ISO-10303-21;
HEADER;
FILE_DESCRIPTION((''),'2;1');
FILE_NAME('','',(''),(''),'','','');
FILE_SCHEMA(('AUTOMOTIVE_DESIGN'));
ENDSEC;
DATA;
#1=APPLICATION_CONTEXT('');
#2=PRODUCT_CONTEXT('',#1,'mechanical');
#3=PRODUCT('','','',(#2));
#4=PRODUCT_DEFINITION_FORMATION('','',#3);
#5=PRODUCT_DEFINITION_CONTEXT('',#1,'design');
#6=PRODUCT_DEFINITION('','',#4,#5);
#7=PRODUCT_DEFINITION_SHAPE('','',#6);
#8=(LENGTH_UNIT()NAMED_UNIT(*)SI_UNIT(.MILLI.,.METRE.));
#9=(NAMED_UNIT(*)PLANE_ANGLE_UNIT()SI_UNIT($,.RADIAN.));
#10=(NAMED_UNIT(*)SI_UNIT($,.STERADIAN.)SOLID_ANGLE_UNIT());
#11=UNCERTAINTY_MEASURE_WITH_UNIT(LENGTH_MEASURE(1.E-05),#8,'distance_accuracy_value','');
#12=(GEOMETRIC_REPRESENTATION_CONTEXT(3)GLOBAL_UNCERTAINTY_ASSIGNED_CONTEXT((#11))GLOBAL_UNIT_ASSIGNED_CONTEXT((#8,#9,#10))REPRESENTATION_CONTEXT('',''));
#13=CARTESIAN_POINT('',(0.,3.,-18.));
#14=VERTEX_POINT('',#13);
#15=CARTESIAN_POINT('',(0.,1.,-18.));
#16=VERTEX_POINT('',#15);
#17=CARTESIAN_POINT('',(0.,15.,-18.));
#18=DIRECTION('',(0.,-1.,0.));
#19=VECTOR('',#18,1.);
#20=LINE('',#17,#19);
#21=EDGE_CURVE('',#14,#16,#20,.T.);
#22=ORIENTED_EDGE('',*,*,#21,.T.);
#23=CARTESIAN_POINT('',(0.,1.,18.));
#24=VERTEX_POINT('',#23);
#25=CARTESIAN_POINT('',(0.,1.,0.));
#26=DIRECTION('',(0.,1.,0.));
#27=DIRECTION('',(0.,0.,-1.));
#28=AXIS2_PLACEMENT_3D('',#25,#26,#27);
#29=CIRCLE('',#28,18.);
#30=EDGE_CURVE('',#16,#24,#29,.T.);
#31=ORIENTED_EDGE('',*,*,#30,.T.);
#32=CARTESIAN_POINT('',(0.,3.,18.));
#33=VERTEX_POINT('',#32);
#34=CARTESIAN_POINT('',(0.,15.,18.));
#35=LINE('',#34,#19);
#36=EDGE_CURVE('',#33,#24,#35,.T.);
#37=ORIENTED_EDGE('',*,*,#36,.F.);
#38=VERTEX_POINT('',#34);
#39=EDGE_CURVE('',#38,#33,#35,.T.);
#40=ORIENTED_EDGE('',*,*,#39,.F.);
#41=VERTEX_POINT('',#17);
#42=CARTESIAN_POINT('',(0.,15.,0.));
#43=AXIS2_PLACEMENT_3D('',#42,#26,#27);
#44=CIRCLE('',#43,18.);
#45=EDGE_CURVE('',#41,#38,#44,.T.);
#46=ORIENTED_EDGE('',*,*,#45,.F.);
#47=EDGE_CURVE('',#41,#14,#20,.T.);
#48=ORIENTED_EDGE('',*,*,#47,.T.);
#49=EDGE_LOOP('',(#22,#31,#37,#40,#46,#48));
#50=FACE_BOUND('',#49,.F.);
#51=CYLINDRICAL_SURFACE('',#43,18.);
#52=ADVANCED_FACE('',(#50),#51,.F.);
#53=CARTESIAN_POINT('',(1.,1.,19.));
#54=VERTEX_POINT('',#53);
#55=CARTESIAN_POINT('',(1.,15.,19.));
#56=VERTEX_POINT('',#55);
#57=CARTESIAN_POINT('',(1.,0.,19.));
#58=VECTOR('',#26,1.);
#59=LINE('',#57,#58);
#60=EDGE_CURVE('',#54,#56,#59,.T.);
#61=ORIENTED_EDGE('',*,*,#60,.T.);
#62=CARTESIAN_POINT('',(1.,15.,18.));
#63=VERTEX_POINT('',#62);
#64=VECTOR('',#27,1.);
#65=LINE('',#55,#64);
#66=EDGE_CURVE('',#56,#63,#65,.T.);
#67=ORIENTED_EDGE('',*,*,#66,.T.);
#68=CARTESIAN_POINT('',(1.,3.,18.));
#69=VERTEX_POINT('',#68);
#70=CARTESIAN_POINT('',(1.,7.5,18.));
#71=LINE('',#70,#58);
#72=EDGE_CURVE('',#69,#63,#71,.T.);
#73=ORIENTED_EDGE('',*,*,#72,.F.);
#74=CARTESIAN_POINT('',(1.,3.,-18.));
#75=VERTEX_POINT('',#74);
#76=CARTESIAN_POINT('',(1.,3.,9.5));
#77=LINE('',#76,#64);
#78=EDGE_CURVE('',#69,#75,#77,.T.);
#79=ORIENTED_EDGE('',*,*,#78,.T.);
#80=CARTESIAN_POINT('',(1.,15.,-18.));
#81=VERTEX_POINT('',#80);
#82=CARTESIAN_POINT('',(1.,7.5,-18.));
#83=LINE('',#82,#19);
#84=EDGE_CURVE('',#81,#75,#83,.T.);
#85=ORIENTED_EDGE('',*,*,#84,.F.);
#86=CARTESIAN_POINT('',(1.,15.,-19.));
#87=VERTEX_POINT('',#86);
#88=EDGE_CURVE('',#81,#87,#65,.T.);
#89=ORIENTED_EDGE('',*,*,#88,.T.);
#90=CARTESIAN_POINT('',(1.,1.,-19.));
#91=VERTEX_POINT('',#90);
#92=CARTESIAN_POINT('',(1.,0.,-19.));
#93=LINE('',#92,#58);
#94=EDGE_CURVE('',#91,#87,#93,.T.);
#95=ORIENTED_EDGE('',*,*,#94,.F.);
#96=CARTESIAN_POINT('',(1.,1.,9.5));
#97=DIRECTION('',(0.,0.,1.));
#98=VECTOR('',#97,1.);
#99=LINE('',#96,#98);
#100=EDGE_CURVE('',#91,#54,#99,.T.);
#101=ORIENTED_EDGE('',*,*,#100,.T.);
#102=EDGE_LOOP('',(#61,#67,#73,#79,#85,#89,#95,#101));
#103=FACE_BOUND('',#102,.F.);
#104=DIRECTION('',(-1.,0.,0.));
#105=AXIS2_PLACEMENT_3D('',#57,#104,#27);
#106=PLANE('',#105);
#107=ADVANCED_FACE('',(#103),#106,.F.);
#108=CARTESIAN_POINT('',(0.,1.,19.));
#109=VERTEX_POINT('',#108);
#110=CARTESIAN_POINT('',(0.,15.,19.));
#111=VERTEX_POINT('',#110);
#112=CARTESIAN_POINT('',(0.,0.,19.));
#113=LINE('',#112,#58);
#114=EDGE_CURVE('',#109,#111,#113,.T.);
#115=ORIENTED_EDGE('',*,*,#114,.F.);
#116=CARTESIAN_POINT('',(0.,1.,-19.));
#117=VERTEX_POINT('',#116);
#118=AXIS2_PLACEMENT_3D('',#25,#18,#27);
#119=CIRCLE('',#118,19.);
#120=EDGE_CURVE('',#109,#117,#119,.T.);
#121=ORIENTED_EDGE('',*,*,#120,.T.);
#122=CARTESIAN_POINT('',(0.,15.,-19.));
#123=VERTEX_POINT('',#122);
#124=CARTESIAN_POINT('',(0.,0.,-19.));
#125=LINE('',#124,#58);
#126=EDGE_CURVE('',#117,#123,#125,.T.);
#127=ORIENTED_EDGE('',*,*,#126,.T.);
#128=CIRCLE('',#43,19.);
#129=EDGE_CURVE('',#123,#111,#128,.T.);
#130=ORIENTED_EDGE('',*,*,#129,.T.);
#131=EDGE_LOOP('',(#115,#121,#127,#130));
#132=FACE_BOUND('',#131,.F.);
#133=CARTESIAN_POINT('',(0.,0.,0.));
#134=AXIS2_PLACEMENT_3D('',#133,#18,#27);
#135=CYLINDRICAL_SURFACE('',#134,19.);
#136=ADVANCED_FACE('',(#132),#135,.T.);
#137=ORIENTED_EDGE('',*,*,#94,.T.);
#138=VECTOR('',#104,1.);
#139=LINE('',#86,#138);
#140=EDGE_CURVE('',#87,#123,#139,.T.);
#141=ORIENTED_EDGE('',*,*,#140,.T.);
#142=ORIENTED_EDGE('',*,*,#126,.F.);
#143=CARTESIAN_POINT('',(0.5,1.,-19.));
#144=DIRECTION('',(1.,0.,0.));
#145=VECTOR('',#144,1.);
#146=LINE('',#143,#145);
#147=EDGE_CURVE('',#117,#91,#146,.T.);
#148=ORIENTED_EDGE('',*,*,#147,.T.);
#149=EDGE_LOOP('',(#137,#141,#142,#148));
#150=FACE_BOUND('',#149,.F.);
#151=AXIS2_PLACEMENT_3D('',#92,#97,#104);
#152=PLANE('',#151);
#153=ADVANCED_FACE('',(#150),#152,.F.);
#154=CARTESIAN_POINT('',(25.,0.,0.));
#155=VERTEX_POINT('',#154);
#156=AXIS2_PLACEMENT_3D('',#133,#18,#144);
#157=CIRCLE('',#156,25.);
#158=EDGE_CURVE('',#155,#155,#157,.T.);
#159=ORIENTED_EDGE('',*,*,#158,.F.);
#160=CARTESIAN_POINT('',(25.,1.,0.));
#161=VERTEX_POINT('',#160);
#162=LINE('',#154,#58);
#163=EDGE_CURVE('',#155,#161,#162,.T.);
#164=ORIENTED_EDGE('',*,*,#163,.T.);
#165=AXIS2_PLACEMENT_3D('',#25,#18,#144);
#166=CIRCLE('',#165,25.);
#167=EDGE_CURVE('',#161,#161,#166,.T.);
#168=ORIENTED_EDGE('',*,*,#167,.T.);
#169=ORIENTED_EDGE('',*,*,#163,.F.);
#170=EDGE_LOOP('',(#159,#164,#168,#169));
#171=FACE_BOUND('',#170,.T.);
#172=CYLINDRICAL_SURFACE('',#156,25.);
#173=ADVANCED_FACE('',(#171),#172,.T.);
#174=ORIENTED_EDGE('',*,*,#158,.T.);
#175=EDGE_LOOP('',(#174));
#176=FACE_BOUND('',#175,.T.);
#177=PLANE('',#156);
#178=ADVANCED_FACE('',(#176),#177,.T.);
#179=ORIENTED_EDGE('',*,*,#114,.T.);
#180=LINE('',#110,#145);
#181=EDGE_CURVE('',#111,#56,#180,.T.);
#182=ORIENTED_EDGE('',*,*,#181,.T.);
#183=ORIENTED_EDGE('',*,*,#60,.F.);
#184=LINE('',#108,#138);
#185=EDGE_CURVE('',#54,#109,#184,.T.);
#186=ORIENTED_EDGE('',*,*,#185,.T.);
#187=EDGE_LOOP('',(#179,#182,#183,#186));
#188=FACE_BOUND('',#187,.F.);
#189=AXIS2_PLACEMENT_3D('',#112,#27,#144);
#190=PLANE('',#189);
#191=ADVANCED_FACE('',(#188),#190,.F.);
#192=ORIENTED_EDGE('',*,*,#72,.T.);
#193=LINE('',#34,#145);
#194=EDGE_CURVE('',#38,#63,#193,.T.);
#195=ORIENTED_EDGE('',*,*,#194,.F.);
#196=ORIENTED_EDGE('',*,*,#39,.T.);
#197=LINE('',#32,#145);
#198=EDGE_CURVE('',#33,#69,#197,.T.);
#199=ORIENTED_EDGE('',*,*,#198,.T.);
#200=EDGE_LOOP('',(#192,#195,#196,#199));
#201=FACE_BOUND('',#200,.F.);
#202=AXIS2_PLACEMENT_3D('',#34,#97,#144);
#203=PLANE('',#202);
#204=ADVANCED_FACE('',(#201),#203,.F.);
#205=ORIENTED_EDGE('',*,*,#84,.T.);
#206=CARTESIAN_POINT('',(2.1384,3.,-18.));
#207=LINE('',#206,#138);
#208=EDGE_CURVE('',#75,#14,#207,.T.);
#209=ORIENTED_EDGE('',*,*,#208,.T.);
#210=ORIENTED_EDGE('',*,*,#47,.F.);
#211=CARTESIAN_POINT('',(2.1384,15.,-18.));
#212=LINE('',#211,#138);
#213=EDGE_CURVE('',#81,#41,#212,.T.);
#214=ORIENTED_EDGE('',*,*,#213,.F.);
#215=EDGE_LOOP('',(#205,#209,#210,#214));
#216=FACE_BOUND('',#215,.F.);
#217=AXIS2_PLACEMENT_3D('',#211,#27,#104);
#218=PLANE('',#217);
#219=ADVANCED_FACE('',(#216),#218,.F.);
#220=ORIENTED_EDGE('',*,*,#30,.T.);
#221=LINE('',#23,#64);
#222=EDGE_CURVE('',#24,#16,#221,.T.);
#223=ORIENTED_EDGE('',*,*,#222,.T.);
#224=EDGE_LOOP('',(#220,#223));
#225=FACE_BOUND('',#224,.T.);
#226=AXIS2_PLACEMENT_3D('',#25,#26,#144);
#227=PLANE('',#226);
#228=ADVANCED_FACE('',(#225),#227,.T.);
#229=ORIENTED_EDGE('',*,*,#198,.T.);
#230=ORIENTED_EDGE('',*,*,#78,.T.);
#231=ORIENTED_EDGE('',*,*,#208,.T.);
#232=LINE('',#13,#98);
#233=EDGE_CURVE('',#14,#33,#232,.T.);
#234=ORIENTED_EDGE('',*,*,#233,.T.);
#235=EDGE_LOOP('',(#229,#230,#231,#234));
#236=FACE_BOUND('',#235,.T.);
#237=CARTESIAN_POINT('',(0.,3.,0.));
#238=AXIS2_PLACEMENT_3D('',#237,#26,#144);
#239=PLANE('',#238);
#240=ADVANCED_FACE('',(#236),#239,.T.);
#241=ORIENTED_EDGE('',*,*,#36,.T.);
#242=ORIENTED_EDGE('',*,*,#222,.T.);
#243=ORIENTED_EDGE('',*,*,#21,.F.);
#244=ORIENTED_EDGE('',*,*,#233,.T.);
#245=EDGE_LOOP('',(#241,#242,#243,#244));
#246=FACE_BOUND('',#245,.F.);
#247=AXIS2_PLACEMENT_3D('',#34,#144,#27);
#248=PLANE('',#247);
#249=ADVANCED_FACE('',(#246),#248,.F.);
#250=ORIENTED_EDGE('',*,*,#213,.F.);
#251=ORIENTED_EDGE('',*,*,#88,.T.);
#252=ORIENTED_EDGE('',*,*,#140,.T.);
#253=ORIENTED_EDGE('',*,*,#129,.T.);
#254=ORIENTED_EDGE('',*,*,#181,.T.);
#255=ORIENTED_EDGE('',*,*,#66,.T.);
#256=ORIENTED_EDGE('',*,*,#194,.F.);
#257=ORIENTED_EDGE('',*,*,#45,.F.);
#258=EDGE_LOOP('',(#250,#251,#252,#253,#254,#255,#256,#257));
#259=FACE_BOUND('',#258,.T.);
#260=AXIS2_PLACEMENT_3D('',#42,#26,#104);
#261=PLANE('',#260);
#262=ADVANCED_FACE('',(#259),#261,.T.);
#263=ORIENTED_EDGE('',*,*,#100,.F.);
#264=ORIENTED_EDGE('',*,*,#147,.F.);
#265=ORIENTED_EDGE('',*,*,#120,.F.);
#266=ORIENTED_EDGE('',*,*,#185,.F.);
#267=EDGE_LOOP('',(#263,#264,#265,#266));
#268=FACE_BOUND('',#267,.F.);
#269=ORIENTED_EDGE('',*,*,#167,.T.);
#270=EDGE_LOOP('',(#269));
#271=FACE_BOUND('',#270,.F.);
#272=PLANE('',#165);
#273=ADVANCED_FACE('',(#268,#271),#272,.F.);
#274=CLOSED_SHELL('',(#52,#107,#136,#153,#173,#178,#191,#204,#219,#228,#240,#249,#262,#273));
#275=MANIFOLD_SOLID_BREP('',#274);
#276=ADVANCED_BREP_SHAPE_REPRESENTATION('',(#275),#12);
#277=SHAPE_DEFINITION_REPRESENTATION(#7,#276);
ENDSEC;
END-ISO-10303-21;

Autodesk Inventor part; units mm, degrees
ref_plane "YZ Plane" through (0, 0, 0) normal (1, 0, 0) x (0, 1, 0)
ref_plane "XZ Plane" through (0, 0, 0) normal (0, 1, 0) x (-1, 0, 0)
ref_plane "XY Plane" through (0, 0, 0) normal (0, 0, 1) x (1, 0, 0)
sketch "スケッチ1" plane through (0, 0, 0) normal (0, 1, 0) x (-1, 0, 0)
  arc A0 (0, -19) -> (0, 19) centre (0, 0) ccw
  line L0 (0, 19) -> (-1, 19)
  line L1 (-1, 19) -> (-1, -19)
  line L2 (-1, -19) -> (0, -19)
  dimension "d0" = 19
  dimension "d1" = 1
  dimension "d2" = 38
extrude "押し出し1" add sketch "スケッチ1" along normal blind 15
sketch "スケッチ2" plane through (0, 15, 0) normal (0, 1, 0) x (1, 0, 0)
  arc A0 (0, 18) -> (0, -18) centre (0, 0) ccw
  line L0 (0, -18) -> (0, 18)
  dimension "d5" = 18
extrude "押し出し2" cut sketch "スケッチ2" against normal blind 14
sketch "スケッチ3" plane through (0, 15, 0) normal (0, 1, 0) x (1, 0, 0)
  line L0 (0, 18) -> (0, -18) projected
  line L1 (0, -18) -> (2.1384, -18)
  line L2 (2.1384, -18) -> (2.1384, 18)
  line L3 (2.1384, 18) -> (0, 18)
  line L4 (0, 18) -> (0, -18)
  point P0 (0, 0)
  dimension "d13" = 36
extrude "押し出し3" cut sketch "スケッチ3" against normal blind 12
sketch "スケッチ4" plane through (0, 0, 0) normal (0, -1, 0) x (1, 0, 0)
  circle A0 centre (0, 0) radius 25
  dimension "d10" = 50
extrude "押し出し4" add sketch "スケッチ4" against normal blind 1
properties part number "Shield_WeldSupport"
